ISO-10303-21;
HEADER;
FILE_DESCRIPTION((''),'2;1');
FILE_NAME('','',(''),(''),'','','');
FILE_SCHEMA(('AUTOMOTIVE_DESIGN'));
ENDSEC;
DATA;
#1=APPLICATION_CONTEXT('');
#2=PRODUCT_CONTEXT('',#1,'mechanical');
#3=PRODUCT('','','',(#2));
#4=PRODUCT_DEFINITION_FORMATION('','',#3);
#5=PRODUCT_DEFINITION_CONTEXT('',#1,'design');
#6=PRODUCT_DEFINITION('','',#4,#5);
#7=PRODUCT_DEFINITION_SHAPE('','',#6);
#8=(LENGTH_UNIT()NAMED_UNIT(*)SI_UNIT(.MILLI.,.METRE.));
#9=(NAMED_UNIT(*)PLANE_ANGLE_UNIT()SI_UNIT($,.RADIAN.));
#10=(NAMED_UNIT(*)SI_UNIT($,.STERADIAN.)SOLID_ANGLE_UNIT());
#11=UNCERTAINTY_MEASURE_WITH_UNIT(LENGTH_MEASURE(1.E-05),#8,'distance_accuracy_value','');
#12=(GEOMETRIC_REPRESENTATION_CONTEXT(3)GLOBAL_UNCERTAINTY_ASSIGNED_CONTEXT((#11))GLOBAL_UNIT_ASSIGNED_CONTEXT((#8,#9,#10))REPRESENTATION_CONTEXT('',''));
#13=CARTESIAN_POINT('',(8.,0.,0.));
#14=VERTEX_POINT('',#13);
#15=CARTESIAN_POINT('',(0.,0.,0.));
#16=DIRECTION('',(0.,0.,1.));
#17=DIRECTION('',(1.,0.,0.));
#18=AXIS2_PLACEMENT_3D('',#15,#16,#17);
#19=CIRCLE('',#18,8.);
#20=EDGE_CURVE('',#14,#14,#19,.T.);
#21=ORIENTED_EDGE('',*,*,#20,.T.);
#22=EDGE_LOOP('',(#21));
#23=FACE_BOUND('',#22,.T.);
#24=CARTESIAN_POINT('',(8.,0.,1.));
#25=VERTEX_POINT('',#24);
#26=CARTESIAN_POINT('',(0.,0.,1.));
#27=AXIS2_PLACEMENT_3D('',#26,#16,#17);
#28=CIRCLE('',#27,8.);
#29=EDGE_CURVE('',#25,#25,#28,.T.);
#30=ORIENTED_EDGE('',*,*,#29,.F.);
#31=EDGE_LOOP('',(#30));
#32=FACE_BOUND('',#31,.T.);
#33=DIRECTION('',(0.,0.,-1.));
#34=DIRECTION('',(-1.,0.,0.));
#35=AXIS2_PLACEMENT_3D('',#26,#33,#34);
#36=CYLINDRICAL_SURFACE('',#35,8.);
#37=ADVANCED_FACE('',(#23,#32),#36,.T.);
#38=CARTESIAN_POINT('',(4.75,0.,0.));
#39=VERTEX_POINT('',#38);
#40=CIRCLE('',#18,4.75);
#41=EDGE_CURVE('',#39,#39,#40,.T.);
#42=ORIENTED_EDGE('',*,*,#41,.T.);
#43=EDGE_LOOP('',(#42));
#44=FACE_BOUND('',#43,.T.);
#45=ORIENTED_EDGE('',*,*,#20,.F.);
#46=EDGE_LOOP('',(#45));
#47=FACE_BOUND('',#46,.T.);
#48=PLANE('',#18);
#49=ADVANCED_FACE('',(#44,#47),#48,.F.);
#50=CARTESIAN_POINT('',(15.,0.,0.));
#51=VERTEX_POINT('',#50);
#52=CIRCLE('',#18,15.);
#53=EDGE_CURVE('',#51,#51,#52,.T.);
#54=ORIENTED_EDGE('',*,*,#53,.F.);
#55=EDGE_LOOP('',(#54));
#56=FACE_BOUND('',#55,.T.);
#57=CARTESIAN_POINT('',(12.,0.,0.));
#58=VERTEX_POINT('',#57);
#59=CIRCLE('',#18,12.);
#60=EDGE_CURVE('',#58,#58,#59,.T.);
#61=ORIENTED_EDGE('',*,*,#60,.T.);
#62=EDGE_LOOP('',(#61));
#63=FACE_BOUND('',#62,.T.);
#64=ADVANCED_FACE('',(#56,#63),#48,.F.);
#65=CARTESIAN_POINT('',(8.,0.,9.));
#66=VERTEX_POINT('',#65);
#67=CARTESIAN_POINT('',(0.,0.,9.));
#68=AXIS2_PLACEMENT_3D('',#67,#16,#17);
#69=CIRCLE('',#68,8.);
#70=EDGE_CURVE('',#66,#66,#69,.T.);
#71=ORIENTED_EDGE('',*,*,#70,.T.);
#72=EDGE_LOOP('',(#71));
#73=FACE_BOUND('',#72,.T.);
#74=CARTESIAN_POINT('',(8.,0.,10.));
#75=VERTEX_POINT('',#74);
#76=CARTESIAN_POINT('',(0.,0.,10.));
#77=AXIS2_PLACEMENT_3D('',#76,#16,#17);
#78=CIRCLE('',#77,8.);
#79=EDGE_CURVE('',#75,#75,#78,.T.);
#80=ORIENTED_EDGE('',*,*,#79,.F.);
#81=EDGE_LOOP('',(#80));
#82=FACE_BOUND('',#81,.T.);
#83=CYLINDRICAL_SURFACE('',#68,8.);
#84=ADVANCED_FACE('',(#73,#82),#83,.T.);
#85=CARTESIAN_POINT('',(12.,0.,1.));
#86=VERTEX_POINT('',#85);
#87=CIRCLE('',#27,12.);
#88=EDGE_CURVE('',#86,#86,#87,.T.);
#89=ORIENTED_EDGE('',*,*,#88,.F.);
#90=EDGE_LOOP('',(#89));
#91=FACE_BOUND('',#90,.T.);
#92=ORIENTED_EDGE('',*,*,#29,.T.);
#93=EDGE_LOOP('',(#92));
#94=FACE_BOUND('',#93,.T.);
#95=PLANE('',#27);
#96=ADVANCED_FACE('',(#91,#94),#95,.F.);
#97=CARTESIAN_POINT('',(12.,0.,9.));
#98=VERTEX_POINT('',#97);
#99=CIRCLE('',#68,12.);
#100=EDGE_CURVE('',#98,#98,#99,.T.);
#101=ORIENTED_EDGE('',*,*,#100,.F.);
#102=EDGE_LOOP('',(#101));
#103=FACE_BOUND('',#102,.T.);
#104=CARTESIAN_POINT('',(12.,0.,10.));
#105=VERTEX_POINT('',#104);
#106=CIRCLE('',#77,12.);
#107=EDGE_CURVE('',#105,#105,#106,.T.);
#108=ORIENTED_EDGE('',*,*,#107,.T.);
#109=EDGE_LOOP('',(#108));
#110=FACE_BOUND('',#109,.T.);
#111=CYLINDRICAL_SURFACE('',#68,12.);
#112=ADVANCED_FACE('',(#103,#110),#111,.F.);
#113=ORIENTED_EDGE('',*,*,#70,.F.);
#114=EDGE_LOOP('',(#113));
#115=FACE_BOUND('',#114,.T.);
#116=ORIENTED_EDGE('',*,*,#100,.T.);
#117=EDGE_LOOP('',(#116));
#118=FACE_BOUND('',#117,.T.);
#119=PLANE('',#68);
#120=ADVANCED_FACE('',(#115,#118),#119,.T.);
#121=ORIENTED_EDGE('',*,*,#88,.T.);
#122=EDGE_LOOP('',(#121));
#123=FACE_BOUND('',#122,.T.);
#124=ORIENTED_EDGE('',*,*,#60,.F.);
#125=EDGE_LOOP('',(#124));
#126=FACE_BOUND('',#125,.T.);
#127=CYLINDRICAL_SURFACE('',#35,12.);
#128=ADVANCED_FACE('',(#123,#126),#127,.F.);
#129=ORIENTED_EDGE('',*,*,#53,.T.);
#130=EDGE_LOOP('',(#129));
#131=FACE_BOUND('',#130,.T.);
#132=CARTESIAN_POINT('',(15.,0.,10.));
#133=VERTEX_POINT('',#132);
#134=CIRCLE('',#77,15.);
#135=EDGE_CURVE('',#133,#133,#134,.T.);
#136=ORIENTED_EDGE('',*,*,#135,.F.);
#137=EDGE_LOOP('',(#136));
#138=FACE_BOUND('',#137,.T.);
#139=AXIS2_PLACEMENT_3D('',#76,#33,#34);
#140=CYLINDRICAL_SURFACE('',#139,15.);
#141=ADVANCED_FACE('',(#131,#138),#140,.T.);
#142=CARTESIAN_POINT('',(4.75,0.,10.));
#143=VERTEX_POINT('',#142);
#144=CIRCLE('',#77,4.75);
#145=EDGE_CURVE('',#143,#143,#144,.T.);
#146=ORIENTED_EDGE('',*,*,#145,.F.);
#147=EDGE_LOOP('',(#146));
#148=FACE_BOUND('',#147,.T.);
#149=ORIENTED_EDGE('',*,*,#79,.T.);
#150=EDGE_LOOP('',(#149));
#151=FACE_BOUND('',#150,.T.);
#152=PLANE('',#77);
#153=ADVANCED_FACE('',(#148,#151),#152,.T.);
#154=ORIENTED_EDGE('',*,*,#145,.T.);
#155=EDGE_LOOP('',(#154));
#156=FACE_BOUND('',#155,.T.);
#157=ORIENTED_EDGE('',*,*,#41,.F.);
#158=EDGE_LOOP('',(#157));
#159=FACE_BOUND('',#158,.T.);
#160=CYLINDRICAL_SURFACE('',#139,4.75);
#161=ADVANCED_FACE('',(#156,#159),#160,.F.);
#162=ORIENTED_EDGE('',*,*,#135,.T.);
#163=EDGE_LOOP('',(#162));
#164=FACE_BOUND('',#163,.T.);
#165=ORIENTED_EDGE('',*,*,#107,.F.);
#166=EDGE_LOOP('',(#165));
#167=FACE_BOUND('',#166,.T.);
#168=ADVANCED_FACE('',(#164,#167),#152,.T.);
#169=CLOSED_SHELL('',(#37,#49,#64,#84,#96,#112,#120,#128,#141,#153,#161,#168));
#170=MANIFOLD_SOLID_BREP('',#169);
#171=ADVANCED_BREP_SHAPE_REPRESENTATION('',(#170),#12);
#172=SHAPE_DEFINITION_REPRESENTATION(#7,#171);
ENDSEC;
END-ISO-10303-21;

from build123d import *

# Parameters (mm, degrees)
SKETCH1_R           = 15
SKETCH1_R_2         = 4.75
BOSS_EXTRUDE1_DEPTH = 10
SKETCH2_R           = 12
SKETCH2_R_2         = 8
CUT_EXTRUDE1_DEPTH  = 1
SKETCH4_R           = 12
SKETCH4_R_2         = 8
CUT_EXTRUDE2_DEPTH  = 1


with BuildPart() as part:
    # Sketch1 → Boss-Extrude1 (new body)
    with BuildSketch(Plane.XY):
        Circle(SKETCH1_R)
        Circle(SKETCH1_R_2, mode=Mode.SUBTRACT)
    extrude(amount=BOSS_EXTRUDE1_DEPTH)

    # Sketch2 → Cut-Extrude1 (cut)
    with BuildSketch(Plane.XY):
        Circle(SKETCH2_R)
        Circle(SKETCH2_R_2, mode=Mode.SUBTRACT)
    extrude(amount=CUT_EXTRUDE1_DEPTH, mode=Mode.SUBTRACT)

    # Sketch4 → Cut-Extrude2 (cut)
    with BuildSketch(Plane.XY.offset(10)):
        Circle(SKETCH4_R)
        Circle(SKETCH4_R_2, mode=Mode.SUBTRACT)
    extrude(amount=-CUT_EXTRUDE2_DEPTH, mode=Mode.SUBTRACT)


solid = part.part
